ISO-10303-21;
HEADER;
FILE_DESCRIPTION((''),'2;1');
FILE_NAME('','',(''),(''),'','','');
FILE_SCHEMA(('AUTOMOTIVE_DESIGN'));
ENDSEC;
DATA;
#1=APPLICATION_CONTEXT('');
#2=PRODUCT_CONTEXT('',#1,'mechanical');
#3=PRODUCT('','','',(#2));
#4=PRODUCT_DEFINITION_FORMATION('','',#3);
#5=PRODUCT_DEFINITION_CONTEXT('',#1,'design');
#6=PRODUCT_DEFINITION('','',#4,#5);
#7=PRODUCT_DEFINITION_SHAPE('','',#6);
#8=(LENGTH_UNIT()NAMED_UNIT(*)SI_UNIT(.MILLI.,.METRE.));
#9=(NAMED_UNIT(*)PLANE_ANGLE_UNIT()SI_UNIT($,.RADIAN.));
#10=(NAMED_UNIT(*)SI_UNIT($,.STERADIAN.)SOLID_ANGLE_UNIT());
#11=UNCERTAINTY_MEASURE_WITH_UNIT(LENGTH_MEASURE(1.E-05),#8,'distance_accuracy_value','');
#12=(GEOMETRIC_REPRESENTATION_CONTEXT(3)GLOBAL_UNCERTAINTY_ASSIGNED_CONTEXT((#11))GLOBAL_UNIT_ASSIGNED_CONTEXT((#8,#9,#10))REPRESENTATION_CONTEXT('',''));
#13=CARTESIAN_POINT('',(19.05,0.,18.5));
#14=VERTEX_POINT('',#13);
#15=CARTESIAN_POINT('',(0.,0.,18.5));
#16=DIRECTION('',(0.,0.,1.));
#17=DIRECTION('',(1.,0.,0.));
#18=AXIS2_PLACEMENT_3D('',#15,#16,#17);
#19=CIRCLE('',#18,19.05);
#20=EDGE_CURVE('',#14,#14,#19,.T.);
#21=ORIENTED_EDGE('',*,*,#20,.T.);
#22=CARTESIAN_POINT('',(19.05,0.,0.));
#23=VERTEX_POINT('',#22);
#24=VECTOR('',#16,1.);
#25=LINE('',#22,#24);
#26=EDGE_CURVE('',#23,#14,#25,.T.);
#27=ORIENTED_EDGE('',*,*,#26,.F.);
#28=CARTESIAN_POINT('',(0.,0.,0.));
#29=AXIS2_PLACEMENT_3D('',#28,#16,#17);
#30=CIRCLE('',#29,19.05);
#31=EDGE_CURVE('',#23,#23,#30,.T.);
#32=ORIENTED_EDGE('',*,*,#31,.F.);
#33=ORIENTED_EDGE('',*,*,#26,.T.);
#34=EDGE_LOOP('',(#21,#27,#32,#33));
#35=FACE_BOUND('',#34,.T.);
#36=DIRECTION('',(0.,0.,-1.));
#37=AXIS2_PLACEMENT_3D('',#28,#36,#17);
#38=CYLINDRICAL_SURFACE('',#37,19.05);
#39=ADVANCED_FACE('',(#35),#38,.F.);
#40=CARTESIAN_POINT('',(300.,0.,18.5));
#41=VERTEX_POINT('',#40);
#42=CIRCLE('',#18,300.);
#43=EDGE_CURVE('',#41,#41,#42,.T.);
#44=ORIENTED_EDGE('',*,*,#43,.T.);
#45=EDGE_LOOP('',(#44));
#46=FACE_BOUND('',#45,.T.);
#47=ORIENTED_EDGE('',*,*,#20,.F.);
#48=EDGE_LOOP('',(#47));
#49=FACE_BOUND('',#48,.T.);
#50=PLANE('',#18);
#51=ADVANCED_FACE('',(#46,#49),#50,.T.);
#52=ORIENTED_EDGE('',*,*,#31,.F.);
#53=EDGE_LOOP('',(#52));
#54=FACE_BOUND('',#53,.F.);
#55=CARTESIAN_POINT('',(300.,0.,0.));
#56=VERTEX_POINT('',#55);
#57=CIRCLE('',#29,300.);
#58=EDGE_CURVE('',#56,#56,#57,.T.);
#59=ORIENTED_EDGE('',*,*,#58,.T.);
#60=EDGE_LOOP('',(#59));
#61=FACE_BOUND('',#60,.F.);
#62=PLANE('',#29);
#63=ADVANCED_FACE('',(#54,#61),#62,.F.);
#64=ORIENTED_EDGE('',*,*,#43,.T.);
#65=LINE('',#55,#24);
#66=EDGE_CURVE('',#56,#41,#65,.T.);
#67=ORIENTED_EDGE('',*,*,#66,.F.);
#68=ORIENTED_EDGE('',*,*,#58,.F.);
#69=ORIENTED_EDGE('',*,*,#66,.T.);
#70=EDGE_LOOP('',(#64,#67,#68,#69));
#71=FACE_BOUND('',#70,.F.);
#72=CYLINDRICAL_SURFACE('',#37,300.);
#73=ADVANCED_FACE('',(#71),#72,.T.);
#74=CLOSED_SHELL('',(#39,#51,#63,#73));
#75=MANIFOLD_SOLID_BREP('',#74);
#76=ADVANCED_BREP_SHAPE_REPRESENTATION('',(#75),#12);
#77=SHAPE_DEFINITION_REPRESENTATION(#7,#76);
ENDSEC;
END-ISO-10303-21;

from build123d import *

# Parameters (mm, degrees)
SKETCH001_R   = 300
SKETCH001_R_2 = 19.05
PAD_DEPTH     = 18.5


with BuildPart() as part:
    # Sketch001 → Pad (new body)
    with BuildSketch(Plane.XY):
        Circle(SKETCH001_R)
        Circle(SKETCH001_R_2, mode=Mode.SUBTRACT)
    extrude(amount=PAD_DEPTH)


solid = part.part
